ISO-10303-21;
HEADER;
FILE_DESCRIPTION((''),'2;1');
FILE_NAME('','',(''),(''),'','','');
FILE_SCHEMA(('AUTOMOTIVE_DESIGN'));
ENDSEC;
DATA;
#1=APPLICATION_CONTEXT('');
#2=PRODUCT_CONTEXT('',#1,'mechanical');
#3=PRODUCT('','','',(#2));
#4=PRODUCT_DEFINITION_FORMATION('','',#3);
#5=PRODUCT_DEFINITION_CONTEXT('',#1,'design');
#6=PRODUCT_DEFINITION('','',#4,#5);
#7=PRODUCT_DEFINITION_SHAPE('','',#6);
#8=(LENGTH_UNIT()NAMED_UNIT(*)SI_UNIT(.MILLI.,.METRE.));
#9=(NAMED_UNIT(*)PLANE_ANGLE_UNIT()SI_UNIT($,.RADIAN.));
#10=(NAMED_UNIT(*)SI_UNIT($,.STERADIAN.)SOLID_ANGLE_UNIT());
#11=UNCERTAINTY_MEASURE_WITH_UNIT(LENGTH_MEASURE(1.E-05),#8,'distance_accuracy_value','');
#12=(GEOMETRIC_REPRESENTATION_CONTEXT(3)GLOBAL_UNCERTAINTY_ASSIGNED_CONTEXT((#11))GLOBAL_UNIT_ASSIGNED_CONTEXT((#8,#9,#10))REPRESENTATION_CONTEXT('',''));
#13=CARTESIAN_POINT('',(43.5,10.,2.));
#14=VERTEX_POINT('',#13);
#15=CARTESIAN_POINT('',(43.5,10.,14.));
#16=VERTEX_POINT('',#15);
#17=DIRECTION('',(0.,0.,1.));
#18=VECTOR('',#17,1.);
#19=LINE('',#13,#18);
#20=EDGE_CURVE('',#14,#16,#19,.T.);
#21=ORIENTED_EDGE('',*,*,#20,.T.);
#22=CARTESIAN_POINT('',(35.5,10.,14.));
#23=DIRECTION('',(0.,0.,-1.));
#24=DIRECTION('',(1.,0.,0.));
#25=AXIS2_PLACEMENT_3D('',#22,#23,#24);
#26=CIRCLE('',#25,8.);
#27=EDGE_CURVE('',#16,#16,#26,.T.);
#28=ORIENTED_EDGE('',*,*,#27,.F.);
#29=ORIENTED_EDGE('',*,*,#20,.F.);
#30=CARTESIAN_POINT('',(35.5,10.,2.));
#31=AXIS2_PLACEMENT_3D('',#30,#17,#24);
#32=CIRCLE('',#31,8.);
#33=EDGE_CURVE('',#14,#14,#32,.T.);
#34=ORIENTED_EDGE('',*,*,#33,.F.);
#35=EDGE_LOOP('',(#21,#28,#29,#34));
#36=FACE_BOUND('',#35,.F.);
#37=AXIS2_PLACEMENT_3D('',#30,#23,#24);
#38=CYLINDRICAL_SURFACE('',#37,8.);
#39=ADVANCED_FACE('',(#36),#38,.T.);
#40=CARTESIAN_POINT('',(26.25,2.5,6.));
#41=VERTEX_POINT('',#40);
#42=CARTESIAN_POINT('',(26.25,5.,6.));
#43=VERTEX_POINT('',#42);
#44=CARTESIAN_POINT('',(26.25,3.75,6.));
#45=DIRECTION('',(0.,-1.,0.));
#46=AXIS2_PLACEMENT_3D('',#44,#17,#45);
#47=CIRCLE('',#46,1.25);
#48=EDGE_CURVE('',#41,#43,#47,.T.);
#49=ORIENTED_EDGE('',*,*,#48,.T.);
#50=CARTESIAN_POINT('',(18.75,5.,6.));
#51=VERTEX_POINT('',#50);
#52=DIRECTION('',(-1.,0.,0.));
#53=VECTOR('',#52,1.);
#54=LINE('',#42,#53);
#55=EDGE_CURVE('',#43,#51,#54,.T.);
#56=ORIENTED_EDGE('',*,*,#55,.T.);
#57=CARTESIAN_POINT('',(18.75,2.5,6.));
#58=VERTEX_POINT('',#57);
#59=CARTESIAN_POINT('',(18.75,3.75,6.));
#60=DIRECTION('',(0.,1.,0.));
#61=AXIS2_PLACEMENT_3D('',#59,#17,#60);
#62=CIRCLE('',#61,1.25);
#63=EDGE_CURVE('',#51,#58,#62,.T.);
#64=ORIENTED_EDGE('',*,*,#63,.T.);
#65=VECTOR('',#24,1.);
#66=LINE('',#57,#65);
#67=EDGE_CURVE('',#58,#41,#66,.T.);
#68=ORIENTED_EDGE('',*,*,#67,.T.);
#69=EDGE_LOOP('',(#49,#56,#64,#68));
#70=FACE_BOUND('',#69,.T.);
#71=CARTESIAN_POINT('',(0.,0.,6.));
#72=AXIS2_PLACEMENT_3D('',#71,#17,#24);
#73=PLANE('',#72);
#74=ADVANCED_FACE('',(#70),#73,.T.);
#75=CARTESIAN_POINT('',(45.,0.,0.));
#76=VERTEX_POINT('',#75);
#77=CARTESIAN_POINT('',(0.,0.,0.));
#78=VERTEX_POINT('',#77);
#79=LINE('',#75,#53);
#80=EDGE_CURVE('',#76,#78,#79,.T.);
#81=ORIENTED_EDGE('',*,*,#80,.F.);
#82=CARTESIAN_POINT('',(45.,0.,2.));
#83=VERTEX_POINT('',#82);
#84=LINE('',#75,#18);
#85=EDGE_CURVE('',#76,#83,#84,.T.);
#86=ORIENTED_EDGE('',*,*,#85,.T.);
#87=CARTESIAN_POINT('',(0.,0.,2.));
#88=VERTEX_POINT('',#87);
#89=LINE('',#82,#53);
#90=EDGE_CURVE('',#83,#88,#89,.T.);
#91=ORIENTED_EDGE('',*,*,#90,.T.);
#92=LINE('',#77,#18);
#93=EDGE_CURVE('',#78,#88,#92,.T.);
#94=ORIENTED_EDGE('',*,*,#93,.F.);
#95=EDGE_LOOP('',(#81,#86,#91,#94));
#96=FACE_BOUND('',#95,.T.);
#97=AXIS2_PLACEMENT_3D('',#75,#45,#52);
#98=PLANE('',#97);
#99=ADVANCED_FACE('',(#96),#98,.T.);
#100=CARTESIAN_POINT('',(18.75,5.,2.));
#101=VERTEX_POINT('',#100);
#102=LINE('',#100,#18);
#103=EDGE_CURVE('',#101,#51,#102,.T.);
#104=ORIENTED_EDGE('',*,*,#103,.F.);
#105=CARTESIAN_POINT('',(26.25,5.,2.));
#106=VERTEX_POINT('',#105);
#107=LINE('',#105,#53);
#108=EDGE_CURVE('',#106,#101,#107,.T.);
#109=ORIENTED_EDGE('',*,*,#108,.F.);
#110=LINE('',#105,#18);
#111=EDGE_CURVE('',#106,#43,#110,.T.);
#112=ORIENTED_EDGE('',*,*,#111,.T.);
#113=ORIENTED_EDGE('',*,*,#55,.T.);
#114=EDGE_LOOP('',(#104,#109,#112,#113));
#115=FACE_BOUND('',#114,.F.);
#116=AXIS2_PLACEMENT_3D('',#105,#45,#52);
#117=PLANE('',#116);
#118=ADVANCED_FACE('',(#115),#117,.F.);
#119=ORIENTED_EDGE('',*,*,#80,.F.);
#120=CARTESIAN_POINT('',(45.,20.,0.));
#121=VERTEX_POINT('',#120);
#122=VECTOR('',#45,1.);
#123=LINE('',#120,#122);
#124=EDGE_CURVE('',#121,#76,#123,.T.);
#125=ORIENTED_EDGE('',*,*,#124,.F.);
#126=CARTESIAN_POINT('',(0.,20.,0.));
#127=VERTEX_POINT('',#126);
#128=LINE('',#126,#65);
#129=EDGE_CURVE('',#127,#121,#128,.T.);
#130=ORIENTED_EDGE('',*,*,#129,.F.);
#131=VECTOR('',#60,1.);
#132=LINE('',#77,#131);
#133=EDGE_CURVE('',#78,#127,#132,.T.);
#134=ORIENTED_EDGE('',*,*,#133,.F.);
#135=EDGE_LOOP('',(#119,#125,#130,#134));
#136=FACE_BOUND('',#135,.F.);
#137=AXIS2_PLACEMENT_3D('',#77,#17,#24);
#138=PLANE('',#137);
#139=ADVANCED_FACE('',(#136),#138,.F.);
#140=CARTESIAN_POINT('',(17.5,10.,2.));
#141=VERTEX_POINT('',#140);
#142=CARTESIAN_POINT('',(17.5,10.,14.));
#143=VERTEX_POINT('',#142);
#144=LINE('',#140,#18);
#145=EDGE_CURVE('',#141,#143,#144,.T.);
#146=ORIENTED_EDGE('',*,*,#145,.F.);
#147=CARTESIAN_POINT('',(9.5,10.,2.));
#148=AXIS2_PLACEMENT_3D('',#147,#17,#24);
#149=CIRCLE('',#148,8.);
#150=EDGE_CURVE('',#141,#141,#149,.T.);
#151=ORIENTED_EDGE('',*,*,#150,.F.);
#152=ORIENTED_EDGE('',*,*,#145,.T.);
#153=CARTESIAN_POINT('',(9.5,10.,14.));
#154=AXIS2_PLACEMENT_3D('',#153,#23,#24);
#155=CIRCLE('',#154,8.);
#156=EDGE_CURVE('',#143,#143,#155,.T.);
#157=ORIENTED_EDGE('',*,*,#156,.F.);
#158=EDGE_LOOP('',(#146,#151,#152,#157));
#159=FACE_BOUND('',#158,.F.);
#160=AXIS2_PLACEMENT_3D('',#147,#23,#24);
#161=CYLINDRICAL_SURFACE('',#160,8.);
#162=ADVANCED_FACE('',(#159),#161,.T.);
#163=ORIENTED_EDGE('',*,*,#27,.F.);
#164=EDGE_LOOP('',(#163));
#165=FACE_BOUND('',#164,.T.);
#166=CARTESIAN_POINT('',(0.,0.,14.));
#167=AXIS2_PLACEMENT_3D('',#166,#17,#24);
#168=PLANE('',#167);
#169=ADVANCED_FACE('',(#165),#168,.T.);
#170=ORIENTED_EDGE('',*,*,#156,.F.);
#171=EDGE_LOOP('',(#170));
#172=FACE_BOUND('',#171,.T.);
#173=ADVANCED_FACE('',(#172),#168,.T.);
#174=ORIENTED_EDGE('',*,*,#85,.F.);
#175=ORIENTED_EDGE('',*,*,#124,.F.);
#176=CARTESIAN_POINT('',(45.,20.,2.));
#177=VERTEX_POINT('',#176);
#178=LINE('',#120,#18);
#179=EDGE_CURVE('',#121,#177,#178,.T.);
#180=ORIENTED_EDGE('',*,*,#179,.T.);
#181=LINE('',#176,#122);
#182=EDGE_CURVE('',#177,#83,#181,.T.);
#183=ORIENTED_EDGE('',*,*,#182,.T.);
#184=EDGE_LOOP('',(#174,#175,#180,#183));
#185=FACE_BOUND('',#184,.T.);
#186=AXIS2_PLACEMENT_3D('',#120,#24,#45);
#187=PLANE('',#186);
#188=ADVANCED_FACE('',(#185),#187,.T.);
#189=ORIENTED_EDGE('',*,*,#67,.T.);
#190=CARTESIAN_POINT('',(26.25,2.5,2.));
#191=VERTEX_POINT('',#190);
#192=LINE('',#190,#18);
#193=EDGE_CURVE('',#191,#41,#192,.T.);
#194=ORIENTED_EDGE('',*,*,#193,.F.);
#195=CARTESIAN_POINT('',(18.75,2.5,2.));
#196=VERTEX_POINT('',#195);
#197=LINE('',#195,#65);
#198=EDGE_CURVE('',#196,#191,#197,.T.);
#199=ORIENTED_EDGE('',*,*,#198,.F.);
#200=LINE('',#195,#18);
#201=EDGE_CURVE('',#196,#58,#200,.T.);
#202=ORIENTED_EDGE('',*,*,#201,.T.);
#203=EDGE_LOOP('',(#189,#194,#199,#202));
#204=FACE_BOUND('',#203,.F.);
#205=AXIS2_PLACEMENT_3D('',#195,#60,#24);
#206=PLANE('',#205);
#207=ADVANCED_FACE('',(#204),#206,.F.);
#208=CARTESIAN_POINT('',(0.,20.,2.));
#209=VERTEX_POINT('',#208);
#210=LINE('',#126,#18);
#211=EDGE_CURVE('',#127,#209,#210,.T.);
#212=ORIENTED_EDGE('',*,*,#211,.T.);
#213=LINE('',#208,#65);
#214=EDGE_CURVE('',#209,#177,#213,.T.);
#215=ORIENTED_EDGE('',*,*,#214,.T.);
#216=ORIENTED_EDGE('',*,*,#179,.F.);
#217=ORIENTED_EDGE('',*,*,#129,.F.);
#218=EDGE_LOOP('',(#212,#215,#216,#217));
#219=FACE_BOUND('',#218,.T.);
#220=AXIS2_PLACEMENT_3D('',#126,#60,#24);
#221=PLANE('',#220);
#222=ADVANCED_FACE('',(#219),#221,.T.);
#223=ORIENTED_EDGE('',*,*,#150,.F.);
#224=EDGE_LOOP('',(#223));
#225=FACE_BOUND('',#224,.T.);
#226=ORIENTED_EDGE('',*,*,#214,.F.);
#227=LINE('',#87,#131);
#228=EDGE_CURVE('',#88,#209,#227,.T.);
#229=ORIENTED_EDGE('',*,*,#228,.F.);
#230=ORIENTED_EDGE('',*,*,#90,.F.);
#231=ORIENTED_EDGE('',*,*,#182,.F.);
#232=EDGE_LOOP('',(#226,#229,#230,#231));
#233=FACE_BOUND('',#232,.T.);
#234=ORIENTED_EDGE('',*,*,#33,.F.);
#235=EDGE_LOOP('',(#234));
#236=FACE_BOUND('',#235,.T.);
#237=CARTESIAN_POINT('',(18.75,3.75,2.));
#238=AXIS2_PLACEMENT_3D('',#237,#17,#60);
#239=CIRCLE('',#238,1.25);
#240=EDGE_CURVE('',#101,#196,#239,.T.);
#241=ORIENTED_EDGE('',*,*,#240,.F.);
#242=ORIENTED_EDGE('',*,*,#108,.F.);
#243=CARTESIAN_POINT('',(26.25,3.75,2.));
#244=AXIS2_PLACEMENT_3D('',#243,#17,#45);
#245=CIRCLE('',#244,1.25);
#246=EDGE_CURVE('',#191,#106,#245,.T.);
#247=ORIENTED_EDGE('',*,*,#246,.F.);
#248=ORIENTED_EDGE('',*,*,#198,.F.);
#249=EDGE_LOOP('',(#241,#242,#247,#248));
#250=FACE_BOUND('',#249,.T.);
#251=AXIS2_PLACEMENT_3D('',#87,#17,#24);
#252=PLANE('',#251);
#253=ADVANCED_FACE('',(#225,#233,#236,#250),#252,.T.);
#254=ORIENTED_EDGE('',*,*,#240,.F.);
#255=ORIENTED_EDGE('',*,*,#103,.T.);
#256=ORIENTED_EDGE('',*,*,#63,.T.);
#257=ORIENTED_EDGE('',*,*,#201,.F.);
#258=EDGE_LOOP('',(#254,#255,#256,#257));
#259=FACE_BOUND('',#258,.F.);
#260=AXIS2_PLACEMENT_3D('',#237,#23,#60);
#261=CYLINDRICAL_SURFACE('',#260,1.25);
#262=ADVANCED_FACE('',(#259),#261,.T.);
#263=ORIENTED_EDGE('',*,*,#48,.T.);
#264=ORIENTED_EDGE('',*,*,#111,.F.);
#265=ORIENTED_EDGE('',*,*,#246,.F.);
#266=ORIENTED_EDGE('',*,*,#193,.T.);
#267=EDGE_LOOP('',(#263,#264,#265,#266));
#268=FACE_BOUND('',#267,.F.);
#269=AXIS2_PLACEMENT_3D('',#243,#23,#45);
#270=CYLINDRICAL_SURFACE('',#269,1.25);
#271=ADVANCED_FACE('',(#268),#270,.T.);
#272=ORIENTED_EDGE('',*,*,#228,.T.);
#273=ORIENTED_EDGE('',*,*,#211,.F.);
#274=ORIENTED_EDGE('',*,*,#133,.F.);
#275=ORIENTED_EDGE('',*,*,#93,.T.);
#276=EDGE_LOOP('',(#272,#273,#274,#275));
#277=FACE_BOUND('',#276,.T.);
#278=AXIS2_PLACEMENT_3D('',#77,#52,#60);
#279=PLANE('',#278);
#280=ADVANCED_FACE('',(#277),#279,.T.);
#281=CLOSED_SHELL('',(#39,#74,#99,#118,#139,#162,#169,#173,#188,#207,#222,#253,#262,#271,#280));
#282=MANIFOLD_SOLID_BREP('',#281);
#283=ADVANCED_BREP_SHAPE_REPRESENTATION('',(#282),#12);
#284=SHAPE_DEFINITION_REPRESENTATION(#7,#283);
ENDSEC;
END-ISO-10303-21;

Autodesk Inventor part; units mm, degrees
ref_plane "YZ Plane" through (0, 0, 0) normal (1, 0, 0) x (0, 1, 0)
ref_plane "XZ Plane" through (0, 0, 0) normal (0, 1, 0) x (-1, 0, 0)
ref_plane "XY Plane" through (0, 0, 0) normal (0, 0, 1) x (1, 0, 0)
sketch "Esquisse1" plane through (0, 0, 0) normal (0, 0, 1) x (1, 0, 0)
  line L0 (0, 20) -> (45, 20)
  line L1 (45, 20) -> (45, 0)
  line L2 (45, 0) -> (0, 0)
  line L3 (0, 0) -> (0, 20)
  line L4 (-9, 0) -> (54, 0) projected
  line L5 (0, -4) -> (0, 24) projected
  point P0 (0, 0)
  dimension "d0" = 20
  dimension "d1" = 45
extrude "Extrusion1" add sketch "Esquisse1" along normal blind 2
sketch "Esquisse2" plane through (0, 0, 2) normal (0, 0, 1) x (1, 0, 0)
  circle A0 centre (9.5, 10) radius 8
  circle A1 centre (35.5, 10) radius 8
  line L0 (0, 10) -> (43.5, 10)
  line L1 (45, 20) -> (0, 20) projected
  line L2 (0, 20) -> (0, 0) projected
  dimension "d6" = 16
  dimension "d4" = 10
  dimension "d5" = 16
  dimension "d7" = 26
  dimension "d8" = 9.5
extrude "Extrusion2" add sketch "Esquisse2" along normal blind 12
sketch "Esquisse3" plane through (0, 0, 2) normal (0, 0, 1) x (1, 0, 0)
  line L0 (18.75, 3.75) -> (26.25, 3.75) construction
  line L1 (18.75, 2.5) -> (26.25, 2.5)
  line L2 (26.25, 5) -> (18.75, 5)
  arc A0 (18.75, 5) -> (18.75, 2.5) centre (18.75, 3.75) ccw
  arc A1 (26.25, 2.5) -> (26.25, 5) centre (26.25, 3.75) ccw
  line L3 (45, 0) -> (45, 20) projected
  line L4 (0, 0) -> (45, 0) projected
  point P0 (22.5, 3.75)
  point P1 (27.5, 3.75)
  point P2 (17.5, 3.75)
  dimension "d11" = 10
  dimension "d12" = 2.5
  dimension "d13" = 22.5
  dimension "d14" = 5
extrude "Extrusion3" add sketch "Esquisse3" along normal blind 4
equation "\"d6\" = d5"
properties part number "distance"
